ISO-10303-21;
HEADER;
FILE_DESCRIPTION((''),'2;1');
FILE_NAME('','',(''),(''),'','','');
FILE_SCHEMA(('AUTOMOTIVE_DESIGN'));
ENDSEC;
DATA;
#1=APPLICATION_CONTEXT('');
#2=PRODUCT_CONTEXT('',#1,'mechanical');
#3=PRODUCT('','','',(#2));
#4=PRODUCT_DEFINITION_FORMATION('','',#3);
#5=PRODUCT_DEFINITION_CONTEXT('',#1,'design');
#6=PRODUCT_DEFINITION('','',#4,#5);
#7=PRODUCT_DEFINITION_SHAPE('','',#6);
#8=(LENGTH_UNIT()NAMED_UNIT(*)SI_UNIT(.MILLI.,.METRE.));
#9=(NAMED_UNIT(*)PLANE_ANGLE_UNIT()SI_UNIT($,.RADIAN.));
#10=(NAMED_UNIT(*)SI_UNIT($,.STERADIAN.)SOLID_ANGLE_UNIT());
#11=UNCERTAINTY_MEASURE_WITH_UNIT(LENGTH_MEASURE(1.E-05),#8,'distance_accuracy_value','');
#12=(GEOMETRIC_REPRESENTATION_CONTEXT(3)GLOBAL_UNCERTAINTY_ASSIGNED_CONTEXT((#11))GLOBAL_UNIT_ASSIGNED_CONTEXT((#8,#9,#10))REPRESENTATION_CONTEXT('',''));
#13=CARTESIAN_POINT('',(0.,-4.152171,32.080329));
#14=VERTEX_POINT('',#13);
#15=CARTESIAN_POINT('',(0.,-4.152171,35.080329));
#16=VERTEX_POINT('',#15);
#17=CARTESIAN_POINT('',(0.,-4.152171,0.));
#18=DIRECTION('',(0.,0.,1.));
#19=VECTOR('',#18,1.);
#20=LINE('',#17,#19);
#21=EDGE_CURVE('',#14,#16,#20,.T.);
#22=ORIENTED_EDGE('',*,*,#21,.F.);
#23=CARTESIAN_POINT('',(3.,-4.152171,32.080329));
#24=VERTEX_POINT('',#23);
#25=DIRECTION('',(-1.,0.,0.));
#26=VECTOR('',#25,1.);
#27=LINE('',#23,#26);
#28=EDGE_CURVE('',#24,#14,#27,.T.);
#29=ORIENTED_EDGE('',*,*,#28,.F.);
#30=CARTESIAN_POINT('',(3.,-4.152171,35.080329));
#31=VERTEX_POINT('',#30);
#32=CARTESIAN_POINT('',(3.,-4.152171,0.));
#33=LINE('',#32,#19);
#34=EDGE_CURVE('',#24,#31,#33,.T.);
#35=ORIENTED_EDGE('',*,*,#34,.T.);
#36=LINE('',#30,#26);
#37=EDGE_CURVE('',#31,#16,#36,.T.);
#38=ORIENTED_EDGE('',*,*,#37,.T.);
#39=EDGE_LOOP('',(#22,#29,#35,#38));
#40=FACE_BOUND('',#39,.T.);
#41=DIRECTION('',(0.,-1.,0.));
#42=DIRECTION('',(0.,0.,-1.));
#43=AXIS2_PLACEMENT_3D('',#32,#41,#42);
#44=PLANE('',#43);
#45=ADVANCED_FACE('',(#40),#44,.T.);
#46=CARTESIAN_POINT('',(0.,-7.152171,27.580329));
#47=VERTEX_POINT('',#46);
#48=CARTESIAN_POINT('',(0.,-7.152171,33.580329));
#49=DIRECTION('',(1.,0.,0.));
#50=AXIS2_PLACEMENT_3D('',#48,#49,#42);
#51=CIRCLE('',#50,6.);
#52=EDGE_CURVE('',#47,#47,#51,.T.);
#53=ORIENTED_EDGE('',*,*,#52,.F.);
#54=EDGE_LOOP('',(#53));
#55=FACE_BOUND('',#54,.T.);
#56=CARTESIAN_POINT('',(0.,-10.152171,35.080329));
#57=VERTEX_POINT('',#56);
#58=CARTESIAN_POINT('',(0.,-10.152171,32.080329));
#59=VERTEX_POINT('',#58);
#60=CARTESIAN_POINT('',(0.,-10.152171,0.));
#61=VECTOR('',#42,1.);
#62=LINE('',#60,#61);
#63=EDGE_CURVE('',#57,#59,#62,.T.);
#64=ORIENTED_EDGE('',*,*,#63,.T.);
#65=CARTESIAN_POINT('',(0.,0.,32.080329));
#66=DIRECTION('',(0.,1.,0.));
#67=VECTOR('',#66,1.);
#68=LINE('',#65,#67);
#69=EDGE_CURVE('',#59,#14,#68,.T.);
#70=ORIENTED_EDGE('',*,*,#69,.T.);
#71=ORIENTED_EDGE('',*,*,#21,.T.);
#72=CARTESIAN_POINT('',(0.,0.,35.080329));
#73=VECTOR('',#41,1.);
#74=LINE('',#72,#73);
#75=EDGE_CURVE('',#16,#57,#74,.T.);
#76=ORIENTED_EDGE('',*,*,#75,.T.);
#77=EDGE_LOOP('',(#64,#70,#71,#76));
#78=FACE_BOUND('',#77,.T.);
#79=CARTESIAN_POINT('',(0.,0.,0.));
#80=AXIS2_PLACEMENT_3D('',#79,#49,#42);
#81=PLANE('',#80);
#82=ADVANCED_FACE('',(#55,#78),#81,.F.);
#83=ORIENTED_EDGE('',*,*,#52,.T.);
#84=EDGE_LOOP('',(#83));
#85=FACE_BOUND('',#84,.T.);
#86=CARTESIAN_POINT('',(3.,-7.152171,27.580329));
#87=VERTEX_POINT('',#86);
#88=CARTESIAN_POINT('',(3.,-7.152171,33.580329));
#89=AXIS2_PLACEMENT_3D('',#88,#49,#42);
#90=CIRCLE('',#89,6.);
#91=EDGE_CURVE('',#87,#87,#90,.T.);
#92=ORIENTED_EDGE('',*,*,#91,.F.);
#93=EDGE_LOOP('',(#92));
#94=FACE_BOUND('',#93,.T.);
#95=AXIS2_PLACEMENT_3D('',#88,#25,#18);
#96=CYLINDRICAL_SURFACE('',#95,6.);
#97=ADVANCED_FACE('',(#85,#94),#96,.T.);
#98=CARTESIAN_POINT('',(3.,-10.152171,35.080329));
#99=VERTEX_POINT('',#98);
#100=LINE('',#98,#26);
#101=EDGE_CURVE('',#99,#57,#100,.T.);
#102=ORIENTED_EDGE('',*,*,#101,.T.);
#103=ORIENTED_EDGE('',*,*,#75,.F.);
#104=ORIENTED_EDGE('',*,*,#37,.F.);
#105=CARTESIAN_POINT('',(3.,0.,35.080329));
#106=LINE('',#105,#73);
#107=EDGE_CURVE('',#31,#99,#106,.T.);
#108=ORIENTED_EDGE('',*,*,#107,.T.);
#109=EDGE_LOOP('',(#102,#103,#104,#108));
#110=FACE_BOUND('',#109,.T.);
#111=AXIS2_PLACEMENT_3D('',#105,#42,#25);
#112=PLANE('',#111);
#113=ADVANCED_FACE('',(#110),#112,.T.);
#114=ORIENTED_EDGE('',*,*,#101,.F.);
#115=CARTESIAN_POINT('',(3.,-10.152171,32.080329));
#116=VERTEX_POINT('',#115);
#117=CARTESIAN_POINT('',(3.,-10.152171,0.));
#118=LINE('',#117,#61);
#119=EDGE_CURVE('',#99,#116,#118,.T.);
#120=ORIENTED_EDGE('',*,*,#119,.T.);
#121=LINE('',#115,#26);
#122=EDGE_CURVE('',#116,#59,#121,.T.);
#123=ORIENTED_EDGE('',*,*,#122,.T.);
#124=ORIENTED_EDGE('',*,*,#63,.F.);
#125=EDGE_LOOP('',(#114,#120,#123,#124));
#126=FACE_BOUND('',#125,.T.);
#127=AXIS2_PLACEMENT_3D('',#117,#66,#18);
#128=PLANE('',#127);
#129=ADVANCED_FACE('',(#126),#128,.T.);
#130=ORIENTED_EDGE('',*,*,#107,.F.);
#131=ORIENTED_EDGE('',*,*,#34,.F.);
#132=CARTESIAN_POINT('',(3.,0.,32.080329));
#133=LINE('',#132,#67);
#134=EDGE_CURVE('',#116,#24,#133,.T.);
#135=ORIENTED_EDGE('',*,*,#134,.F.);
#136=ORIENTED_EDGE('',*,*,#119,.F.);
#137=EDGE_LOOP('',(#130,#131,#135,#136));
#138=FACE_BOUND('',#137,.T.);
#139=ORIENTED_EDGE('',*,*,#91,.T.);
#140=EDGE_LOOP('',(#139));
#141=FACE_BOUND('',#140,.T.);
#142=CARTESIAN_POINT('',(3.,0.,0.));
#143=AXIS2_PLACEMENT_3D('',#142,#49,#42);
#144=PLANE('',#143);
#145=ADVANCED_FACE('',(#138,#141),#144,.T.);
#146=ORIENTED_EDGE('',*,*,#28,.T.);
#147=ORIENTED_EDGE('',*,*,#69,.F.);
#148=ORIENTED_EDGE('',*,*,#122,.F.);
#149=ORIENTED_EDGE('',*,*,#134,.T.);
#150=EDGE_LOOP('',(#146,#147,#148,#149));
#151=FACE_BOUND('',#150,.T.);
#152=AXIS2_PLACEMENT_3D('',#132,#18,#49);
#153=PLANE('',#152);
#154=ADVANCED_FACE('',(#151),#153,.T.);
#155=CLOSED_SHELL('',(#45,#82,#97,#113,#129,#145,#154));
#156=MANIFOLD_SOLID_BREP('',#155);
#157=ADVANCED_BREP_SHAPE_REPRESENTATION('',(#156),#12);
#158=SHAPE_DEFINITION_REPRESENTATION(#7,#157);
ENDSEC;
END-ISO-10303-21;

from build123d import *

# Parameters (mm, degrees)
SKETCH1_R           = 6
SKETCH1_R_2         = 3.354101966
BOSS_EXTRUDE1_DEPTH = 3


with BuildPart() as part:
    # Sketch1 → Boss-Extrude1 (new body)
    with BuildSketch(Plane(origin=(0, 0, 0), x_dir=(0, 0, -1), z_dir=(1, 0, 0))):
        with Locations((-33.580329287, -7.15217083)):
            Circle(SKETCH1_R)
        with Locations((-33.580329287, -7.15217083)):
            Circle(SKETCH1_R_2, mode=Mode.SUBTRACT)
        with BuildLine():
            Line((-35.080329287, -4.15217083), (-32.080329287, -4.15217083))
            ThreePointArc((-32.080329287, -4.15217083), (-33.580329287, -3.798068864), (-35.080329287, -4.15217083))
        make_face()
        with BuildLine():
            ThreePointArc((-35.080329287, -4.15217083), (-36.934431253, -7.15217083), (-35.080329287, -10.15217083))
            Line((-35.080329287, -10.15217083), (-35.080329287, -4.15217083))
        make_face()
        with BuildLine():
            Line((-32.080329287, -4.15217083), (-32.080329287, -10.15217083))
            ThreePointArc((-32.080329287, -10.15217083), (-30.727159738, -8.915526587), (-30.22622732, -7.15217083))
            ThreePointArc((-30.22622732, -7.15217083), (-30.727159738, -5.388815073), (-32.080329287, -4.15217083))
        make_face()
        with BuildLine():
            ThreePointArc((-35.080329287, -10.15217083), (-33.580329287, -10.506272796), (-32.080329287, -10.15217083))
            Line((-32.080329287, -10.15217083), (-35.080329287, -10.15217083))
        make_face()
    extrude(amount=BOSS_EXTRUDE1_DEPTH)


solid = part.part
